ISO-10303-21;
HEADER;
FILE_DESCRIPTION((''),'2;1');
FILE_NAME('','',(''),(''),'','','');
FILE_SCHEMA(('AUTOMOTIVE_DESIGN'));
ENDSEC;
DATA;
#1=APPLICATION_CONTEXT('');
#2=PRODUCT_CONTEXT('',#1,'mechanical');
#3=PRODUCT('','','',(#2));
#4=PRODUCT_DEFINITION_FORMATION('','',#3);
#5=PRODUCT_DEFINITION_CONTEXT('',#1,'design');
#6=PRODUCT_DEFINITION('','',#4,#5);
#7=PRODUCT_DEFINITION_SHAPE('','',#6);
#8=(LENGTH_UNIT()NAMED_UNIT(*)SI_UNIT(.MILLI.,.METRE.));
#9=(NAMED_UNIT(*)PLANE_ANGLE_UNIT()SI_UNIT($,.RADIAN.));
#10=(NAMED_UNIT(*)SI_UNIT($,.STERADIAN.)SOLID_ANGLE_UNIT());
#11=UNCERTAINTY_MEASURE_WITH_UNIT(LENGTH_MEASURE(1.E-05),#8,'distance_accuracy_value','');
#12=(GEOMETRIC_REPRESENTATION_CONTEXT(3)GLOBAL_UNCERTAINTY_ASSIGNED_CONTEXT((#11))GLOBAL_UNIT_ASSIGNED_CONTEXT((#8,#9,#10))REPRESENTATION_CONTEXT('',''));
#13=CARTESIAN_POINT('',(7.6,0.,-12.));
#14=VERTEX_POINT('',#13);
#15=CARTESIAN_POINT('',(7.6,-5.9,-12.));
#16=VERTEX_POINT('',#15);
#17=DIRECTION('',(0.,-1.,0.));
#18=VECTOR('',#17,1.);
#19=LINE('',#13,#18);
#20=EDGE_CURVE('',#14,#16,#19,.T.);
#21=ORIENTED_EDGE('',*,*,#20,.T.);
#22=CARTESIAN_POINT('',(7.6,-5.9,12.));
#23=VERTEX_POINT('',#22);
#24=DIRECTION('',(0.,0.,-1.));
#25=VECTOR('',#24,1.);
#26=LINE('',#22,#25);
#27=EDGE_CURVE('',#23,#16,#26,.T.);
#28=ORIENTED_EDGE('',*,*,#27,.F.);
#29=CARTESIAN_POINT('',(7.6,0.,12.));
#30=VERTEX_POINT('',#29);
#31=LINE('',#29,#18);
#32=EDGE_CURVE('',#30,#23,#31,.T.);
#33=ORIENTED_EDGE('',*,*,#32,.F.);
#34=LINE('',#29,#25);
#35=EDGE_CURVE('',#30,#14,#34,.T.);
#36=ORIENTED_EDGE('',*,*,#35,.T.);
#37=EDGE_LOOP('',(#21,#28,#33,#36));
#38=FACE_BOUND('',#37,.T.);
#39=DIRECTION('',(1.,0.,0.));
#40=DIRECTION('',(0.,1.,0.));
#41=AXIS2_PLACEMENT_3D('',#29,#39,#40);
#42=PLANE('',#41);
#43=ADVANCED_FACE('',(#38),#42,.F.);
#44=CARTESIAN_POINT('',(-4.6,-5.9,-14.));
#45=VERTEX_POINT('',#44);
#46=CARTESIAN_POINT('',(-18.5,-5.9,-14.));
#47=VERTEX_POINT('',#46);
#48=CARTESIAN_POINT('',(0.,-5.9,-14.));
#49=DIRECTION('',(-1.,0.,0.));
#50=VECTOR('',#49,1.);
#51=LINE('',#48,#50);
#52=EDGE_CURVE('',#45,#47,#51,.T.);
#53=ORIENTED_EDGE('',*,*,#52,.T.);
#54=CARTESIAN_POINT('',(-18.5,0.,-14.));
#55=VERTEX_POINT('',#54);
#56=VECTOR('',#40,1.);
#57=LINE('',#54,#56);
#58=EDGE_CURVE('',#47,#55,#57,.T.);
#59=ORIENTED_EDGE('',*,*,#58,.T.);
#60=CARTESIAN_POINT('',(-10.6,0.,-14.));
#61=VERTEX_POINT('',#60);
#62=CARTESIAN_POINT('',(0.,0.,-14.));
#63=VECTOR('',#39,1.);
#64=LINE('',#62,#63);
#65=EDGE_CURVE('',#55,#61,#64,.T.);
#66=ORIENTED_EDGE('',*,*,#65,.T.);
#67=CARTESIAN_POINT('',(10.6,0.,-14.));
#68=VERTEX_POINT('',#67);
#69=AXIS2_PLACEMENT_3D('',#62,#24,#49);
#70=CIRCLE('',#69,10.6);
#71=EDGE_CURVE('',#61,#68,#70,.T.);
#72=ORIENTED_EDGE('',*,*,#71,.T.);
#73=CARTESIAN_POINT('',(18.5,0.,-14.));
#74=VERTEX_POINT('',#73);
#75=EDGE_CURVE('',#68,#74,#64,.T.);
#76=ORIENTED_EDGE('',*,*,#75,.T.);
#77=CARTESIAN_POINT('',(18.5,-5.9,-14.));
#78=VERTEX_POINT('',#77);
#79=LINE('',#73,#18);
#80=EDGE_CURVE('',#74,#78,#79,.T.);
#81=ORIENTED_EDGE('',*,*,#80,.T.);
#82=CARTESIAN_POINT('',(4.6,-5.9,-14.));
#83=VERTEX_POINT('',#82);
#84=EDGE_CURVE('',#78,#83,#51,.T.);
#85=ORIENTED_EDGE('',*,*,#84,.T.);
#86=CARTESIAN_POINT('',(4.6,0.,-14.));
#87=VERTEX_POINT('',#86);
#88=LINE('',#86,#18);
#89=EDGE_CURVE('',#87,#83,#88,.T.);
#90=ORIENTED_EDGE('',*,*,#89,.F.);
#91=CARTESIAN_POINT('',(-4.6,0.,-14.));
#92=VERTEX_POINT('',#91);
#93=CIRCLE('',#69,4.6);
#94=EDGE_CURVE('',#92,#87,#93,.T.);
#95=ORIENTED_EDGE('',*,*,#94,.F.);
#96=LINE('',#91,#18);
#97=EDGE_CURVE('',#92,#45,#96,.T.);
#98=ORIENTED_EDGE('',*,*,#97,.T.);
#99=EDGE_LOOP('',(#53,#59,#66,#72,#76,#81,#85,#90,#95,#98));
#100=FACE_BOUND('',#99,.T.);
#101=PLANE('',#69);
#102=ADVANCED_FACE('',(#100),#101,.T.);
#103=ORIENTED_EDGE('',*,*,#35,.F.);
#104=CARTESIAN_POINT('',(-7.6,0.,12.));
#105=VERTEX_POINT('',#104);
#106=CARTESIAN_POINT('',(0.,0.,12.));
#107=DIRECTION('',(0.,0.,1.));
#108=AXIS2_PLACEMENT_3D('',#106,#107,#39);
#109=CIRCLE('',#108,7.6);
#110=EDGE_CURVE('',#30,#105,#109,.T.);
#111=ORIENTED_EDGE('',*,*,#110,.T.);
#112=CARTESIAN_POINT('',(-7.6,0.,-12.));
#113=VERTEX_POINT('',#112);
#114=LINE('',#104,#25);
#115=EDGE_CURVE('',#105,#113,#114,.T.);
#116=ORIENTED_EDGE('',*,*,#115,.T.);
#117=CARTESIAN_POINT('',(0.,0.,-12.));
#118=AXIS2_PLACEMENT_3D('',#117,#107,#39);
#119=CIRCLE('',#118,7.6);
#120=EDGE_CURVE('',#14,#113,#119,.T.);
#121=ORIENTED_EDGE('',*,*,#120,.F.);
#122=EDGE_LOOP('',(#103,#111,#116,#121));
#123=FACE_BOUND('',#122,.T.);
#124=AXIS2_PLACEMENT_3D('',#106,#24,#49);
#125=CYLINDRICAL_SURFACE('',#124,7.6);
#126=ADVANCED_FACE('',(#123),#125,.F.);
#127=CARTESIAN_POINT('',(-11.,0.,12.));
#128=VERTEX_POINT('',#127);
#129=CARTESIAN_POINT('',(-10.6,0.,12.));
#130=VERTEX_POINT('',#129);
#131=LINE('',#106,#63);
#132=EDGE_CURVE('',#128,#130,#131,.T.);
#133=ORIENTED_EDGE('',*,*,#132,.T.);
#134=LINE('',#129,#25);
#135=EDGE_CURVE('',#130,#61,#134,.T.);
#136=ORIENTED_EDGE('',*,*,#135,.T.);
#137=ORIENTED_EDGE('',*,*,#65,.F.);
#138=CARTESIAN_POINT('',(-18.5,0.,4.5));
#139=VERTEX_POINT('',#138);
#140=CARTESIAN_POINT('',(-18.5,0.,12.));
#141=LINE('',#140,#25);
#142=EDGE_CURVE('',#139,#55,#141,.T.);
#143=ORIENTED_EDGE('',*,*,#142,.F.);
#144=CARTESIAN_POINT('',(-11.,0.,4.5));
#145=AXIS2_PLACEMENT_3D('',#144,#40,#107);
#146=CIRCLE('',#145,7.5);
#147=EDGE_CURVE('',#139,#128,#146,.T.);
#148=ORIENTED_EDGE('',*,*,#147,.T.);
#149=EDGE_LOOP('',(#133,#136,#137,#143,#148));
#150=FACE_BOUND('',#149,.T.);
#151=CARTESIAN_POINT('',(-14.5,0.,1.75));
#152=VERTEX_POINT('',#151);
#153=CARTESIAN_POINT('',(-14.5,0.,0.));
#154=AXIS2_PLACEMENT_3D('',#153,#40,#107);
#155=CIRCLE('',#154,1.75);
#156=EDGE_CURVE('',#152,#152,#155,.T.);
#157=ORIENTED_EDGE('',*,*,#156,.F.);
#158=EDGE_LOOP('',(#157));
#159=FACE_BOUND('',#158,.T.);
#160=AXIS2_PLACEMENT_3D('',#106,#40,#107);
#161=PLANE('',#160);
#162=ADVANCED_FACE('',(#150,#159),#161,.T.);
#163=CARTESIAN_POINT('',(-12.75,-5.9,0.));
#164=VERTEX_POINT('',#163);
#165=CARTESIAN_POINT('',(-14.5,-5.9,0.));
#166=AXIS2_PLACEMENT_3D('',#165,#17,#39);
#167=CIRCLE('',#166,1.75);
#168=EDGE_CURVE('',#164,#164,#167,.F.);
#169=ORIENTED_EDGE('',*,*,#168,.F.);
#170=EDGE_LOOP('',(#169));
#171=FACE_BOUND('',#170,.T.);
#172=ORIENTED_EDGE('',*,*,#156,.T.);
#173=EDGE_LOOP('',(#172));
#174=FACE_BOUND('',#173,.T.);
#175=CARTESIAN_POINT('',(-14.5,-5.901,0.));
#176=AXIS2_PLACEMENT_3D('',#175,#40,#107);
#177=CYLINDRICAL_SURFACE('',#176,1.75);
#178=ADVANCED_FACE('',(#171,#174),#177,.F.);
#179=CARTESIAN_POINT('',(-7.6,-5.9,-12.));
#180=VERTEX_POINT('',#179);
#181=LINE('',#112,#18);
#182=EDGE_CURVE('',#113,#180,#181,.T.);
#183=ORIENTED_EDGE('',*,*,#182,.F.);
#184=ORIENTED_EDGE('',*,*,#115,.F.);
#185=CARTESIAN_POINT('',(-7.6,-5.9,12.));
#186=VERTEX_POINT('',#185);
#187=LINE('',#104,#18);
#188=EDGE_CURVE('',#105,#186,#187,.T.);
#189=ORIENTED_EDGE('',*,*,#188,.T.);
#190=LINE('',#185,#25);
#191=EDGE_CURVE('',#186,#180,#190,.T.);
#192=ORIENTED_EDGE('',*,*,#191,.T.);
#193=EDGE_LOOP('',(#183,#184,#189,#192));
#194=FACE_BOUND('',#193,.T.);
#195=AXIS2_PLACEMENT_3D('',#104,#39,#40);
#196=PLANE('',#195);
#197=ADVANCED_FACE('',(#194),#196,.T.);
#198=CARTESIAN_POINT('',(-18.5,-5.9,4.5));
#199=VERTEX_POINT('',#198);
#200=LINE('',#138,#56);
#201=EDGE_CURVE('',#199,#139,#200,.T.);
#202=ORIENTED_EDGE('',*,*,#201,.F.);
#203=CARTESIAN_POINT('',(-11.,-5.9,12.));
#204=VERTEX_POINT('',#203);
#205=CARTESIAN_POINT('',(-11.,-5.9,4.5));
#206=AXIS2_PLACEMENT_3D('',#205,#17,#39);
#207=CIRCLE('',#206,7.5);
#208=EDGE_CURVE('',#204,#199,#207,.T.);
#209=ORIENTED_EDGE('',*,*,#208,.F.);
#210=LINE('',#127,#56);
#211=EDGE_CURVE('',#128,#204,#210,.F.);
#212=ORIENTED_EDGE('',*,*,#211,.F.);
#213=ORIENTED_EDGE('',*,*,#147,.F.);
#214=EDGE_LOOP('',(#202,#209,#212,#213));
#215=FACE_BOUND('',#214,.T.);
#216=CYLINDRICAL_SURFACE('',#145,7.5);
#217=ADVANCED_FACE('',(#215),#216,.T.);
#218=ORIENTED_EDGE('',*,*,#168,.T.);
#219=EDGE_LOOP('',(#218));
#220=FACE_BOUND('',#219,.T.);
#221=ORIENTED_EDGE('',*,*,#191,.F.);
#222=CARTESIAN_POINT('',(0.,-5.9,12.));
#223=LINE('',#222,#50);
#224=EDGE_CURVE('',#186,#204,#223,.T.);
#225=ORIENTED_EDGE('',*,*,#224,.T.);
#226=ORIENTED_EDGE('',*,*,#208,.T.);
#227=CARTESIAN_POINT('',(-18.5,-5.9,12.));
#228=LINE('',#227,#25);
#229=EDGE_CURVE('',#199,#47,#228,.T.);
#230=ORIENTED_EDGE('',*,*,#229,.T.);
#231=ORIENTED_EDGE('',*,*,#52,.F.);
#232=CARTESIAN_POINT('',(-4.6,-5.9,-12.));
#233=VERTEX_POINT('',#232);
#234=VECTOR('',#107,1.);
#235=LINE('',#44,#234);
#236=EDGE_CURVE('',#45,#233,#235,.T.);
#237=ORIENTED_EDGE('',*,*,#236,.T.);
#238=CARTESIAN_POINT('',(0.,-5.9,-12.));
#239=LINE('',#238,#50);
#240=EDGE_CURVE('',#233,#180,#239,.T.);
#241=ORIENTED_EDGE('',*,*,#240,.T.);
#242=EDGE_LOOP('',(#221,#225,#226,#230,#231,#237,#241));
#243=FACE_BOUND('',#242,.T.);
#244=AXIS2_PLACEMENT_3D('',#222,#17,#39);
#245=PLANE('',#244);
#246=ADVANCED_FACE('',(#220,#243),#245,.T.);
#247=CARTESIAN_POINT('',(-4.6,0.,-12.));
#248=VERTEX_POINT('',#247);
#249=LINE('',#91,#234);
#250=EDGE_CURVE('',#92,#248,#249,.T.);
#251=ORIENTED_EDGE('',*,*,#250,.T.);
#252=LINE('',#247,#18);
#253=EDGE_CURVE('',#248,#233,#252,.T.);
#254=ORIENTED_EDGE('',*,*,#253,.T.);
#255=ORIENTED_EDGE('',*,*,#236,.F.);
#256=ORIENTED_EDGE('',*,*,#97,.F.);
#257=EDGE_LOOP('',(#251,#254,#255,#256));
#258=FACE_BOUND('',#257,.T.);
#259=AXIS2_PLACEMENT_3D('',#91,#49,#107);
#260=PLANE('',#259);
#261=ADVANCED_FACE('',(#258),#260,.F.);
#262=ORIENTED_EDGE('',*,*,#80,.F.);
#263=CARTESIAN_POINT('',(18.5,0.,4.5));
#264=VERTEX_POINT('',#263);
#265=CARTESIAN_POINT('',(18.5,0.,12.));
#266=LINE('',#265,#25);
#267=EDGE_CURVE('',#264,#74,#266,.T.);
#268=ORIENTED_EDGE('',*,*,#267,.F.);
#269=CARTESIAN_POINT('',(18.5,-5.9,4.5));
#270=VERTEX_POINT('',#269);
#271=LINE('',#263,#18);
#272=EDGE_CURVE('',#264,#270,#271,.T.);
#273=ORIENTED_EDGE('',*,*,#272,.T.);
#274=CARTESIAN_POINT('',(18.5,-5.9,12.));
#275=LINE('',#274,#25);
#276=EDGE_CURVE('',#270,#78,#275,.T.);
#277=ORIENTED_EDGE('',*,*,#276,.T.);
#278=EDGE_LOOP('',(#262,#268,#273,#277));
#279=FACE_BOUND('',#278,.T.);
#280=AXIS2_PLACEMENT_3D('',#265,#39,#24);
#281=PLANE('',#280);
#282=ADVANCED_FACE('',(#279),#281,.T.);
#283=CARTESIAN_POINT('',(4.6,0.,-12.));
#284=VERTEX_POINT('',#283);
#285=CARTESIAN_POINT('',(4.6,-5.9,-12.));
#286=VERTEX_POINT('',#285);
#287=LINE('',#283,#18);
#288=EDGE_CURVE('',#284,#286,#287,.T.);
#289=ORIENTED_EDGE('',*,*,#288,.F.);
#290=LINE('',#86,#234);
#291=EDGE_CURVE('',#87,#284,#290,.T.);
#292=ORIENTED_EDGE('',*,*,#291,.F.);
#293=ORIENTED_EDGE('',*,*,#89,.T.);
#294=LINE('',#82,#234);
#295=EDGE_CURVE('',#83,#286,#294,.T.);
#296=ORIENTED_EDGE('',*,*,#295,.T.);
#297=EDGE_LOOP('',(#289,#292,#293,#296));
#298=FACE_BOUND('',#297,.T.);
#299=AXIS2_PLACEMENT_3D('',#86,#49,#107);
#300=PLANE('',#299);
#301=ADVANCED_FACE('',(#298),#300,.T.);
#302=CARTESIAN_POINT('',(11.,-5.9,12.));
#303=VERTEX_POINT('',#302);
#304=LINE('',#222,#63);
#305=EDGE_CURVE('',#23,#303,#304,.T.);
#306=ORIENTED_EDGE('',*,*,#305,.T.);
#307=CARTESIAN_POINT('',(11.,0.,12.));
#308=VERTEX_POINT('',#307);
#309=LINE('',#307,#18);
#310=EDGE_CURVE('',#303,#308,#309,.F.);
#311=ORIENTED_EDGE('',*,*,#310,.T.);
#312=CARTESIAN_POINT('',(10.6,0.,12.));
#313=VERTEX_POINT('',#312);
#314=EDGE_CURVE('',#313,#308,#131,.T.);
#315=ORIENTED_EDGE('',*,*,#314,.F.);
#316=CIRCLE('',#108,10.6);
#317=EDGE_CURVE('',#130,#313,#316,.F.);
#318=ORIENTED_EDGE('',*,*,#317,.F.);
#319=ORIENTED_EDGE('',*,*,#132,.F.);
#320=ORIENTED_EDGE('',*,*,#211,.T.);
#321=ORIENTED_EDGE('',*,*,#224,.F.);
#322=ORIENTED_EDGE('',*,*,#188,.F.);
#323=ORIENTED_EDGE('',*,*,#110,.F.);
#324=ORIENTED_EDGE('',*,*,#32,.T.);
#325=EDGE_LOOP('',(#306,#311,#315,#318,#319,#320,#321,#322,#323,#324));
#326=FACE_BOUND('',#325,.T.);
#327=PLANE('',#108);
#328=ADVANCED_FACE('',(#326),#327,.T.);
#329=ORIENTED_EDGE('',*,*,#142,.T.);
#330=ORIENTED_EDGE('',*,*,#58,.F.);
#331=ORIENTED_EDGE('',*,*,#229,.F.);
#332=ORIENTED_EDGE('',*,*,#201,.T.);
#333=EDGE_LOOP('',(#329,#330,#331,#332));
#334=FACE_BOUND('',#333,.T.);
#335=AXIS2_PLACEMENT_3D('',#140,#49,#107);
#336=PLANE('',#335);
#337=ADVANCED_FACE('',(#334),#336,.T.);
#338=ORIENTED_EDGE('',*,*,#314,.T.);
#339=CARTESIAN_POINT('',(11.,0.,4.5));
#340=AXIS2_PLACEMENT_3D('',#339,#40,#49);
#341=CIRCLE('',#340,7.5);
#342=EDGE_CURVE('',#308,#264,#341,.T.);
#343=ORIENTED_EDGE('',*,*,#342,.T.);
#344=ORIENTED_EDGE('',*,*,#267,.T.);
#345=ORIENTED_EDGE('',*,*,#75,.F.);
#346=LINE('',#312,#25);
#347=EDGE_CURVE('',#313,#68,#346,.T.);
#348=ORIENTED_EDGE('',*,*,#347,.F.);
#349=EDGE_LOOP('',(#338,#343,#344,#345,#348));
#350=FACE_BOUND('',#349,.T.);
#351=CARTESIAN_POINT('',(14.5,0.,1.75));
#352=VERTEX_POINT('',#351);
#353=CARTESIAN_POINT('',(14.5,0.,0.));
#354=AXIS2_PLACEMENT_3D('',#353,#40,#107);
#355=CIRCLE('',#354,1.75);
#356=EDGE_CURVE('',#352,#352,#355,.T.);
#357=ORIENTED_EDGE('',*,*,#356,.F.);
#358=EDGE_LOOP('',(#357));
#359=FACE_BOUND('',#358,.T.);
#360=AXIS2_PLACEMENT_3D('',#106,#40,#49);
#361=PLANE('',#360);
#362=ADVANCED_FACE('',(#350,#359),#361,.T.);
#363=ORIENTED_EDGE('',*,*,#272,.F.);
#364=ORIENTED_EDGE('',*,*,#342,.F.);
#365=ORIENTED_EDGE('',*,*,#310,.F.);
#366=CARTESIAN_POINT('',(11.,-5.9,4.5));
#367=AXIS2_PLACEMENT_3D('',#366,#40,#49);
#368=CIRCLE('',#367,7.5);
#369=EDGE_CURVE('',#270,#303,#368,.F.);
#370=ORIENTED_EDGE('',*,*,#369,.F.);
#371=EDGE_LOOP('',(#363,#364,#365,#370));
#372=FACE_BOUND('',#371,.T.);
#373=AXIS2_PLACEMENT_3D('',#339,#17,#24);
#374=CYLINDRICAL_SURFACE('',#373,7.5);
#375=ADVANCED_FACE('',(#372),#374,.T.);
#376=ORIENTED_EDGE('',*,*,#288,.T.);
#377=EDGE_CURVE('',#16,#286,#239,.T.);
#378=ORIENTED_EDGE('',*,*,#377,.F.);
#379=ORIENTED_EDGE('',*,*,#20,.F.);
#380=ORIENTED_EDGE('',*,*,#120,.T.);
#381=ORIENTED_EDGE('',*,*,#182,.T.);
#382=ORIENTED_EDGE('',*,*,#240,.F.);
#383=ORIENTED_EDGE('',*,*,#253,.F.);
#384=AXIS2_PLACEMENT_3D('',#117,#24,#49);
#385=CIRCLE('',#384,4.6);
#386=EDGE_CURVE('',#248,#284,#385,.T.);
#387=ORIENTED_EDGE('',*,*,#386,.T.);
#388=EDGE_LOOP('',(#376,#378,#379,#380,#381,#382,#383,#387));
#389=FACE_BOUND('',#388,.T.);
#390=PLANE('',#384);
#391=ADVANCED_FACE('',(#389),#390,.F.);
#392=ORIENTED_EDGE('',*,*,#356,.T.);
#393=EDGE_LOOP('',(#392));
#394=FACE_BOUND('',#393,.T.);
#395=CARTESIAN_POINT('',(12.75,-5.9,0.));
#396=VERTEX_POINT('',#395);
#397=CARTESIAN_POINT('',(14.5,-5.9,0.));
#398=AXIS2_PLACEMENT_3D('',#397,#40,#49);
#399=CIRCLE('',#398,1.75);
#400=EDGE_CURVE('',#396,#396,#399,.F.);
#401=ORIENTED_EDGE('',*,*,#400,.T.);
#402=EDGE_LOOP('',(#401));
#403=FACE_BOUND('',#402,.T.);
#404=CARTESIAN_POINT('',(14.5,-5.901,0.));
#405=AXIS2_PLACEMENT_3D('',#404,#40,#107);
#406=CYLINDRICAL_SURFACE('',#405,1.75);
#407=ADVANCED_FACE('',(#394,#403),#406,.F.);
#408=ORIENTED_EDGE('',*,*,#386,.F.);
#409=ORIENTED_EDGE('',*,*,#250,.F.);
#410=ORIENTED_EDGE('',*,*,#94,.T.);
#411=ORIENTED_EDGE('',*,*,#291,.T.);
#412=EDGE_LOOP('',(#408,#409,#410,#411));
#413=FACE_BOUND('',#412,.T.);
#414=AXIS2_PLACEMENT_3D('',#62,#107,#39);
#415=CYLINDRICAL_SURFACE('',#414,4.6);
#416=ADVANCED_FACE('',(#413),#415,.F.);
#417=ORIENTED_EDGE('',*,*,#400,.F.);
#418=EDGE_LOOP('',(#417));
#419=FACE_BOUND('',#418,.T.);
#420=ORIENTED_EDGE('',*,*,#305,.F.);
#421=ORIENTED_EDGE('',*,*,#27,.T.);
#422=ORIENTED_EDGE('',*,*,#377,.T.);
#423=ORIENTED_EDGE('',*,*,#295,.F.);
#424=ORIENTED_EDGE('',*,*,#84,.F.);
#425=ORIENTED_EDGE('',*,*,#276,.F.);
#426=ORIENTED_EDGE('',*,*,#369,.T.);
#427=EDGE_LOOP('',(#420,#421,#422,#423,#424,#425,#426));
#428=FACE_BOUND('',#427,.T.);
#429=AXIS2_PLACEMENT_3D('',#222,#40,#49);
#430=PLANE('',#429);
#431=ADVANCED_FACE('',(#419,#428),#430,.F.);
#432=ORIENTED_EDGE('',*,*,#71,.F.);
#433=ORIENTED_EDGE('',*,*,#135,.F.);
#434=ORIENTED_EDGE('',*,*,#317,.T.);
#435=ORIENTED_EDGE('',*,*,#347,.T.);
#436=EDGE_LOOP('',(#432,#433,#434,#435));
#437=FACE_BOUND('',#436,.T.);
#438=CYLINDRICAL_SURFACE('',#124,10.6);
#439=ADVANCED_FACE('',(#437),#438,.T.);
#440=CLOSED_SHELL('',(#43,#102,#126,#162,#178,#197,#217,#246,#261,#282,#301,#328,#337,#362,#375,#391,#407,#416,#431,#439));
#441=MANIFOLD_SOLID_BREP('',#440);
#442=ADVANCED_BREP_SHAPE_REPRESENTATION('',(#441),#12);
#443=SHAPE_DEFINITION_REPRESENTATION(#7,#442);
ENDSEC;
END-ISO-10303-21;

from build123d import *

# Parameters (mm, degrees)
DODANIE_WYCI_GNI_CIE1_DEPTH = 12
DODANIE_WYCI_GNI_CIE2_DEPTH = 2
WYTNIJ_WYCI_GNI_CIE1_REACH  = 27.507
SZKIC3_R                    = 1.75
ZAOKR_GLENIE1_R             = 7.5


with BuildPart() as part:
    # Szkic1 → Dodanie-wyciągnięcie1 (new, symmetric)
    with BuildSketch(Plane.XY):
        with BuildLine():
            ThreePointArc((-10.6, 0), (0, 10.6), (10.6, 0))
            Line((10.6, 0), (18.5, 0))
            Line((18.5, 0), (18.5, -5.9))
            Line((18.5, -5.9), (7.6, -5.9))
            Line((7.6, -5.9), (7.6, 0))
            ThreePointArc((7.6, 0), (0, 7.6), (-7.6, 0))
            Line((-7.6, 0), (-7.6, -5.9))
            Line((-7.6, -5.9), (-18.5, -5.9))
            Line((-18.5, -5.9), (-18.5, 0))
            Line((-18.5, 0), (-10.6, 0))
        make_face()
    extrude(amount=DODANIE_WYCI_GNI_CIE1_DEPTH, both=True)

    # Szkic2 → Dodanie-wyciągnięcie2 (add)
    with BuildSketch(Plane(origin=(0, 0, -12), x_dir=(-1, 0, 0), z_dir=(0, 0, -1))):
        with BuildLine():
            Line((18.5, 0), (10.6, 0))
            ThreePointArc((10.6, 0), (0, 10.6), (-10.6, 0))
            Line((-10.6, 0), (-18.5, 0))
            Line((-18.5, 0), (-18.5, -5.9))
            Line((-18.5, -5.9), (-7.6, -5.9))
            Line((-7.6, -5.9), (-7.6, 0))
            ThreePointArc((-7.6, 0), (0, 7.6), (7.6, 0))
            Line((7.6, 0), (7.6, -5.9))
            Line((7.6, -5.9), (18.5, -5.9))
            Line((18.5, -5.9), (18.5, 0))
        make_face()
        with BuildLine():
            ThreePointArc((4.6, 0), (0, 4.6), (-4.6, 0))
            Line((-4.6, 0), (-4.6, -5.9))
            Line((-4.6, -5.9), (-7.6, -5.9))
            Line((-7.6, -5.9), (-7.6, 0))
            ThreePointArc((-7.6, 0), (0, 7.6), (7.6, 0))
            Line((7.6, 0), (7.6, -5.9))
            Line((7.6, -5.9), (4.6, -5.9))
            Line((4.6, -5.9), (4.6, 0))
        make_face()
    extrude(amount=DODANIE_WYCI_GNI_CIE2_DEPTH)

    # Szkic3 → Wytnij-wyciągnięcie1 (cut, up to next)
    with BuildSketch(Plane(origin=(0, 0, 0), x_dir=(1, 0, 0), z_dir=(0, 1, 0)), mode=Mode.PRIVATE) as wytnij_wyci_gni_cie1_sk1:
        with Locations(Location((-14.5, 0, 0), (0, 0, 270))):
            Circle(SZKIC3_R)
    wytnij_wyci_gni_cie1_tool1 = extrude(wytnij_wyci_gni_cie1_sk1.sketch, amount=-WYTNIJ_WYCI_GNI_CIE1_REACH, mode=Mode.PRIVATE) & part.part
    # Szkic3 → Wytnij-wyciągnięcie1 (cut, up to next)
    with BuildSketch(Plane(origin=(0, 0, 0), x_dir=(1, 0, 0), z_dir=(0, 1, 0)), mode=Mode.PRIVATE) as wytnij_wyci_gni_cie1_sk2:
        with Locations(Location((14.5, 0, 0), (0, 0, 270))):
            Circle(SZKIC3_R)
    wytnij_wyci_gni_cie1_tool2 = extrude(wytnij_wyci_gni_cie1_sk2.sketch, amount=-WYTNIJ_WYCI_GNI_CIE1_REACH, mode=Mode.PRIVATE) & part.part
    add(wytnij_wyci_gni_cie1_tool1.solids().sort_by_distance((-14.5, 0, 0))[0], mode=Mode.SUBTRACT)
    add(wytnij_wyci_gni_cie1_tool2.solids().sort_by_distance((14.5, 0, 0))[0], mode=Mode.SUBTRACT)

    # Zaokrąglenie1
    zaokr_glenie1_edges = [part.edges().sort_by_distance(p)[0] for p in [
        (-18.5, -2.95, 12),
        (18.5, -2.95, 12),
    ]]
    fillet(zaokr_glenie1_edges, radius=ZAOKR_GLENIE1_R)


solid = part.part
